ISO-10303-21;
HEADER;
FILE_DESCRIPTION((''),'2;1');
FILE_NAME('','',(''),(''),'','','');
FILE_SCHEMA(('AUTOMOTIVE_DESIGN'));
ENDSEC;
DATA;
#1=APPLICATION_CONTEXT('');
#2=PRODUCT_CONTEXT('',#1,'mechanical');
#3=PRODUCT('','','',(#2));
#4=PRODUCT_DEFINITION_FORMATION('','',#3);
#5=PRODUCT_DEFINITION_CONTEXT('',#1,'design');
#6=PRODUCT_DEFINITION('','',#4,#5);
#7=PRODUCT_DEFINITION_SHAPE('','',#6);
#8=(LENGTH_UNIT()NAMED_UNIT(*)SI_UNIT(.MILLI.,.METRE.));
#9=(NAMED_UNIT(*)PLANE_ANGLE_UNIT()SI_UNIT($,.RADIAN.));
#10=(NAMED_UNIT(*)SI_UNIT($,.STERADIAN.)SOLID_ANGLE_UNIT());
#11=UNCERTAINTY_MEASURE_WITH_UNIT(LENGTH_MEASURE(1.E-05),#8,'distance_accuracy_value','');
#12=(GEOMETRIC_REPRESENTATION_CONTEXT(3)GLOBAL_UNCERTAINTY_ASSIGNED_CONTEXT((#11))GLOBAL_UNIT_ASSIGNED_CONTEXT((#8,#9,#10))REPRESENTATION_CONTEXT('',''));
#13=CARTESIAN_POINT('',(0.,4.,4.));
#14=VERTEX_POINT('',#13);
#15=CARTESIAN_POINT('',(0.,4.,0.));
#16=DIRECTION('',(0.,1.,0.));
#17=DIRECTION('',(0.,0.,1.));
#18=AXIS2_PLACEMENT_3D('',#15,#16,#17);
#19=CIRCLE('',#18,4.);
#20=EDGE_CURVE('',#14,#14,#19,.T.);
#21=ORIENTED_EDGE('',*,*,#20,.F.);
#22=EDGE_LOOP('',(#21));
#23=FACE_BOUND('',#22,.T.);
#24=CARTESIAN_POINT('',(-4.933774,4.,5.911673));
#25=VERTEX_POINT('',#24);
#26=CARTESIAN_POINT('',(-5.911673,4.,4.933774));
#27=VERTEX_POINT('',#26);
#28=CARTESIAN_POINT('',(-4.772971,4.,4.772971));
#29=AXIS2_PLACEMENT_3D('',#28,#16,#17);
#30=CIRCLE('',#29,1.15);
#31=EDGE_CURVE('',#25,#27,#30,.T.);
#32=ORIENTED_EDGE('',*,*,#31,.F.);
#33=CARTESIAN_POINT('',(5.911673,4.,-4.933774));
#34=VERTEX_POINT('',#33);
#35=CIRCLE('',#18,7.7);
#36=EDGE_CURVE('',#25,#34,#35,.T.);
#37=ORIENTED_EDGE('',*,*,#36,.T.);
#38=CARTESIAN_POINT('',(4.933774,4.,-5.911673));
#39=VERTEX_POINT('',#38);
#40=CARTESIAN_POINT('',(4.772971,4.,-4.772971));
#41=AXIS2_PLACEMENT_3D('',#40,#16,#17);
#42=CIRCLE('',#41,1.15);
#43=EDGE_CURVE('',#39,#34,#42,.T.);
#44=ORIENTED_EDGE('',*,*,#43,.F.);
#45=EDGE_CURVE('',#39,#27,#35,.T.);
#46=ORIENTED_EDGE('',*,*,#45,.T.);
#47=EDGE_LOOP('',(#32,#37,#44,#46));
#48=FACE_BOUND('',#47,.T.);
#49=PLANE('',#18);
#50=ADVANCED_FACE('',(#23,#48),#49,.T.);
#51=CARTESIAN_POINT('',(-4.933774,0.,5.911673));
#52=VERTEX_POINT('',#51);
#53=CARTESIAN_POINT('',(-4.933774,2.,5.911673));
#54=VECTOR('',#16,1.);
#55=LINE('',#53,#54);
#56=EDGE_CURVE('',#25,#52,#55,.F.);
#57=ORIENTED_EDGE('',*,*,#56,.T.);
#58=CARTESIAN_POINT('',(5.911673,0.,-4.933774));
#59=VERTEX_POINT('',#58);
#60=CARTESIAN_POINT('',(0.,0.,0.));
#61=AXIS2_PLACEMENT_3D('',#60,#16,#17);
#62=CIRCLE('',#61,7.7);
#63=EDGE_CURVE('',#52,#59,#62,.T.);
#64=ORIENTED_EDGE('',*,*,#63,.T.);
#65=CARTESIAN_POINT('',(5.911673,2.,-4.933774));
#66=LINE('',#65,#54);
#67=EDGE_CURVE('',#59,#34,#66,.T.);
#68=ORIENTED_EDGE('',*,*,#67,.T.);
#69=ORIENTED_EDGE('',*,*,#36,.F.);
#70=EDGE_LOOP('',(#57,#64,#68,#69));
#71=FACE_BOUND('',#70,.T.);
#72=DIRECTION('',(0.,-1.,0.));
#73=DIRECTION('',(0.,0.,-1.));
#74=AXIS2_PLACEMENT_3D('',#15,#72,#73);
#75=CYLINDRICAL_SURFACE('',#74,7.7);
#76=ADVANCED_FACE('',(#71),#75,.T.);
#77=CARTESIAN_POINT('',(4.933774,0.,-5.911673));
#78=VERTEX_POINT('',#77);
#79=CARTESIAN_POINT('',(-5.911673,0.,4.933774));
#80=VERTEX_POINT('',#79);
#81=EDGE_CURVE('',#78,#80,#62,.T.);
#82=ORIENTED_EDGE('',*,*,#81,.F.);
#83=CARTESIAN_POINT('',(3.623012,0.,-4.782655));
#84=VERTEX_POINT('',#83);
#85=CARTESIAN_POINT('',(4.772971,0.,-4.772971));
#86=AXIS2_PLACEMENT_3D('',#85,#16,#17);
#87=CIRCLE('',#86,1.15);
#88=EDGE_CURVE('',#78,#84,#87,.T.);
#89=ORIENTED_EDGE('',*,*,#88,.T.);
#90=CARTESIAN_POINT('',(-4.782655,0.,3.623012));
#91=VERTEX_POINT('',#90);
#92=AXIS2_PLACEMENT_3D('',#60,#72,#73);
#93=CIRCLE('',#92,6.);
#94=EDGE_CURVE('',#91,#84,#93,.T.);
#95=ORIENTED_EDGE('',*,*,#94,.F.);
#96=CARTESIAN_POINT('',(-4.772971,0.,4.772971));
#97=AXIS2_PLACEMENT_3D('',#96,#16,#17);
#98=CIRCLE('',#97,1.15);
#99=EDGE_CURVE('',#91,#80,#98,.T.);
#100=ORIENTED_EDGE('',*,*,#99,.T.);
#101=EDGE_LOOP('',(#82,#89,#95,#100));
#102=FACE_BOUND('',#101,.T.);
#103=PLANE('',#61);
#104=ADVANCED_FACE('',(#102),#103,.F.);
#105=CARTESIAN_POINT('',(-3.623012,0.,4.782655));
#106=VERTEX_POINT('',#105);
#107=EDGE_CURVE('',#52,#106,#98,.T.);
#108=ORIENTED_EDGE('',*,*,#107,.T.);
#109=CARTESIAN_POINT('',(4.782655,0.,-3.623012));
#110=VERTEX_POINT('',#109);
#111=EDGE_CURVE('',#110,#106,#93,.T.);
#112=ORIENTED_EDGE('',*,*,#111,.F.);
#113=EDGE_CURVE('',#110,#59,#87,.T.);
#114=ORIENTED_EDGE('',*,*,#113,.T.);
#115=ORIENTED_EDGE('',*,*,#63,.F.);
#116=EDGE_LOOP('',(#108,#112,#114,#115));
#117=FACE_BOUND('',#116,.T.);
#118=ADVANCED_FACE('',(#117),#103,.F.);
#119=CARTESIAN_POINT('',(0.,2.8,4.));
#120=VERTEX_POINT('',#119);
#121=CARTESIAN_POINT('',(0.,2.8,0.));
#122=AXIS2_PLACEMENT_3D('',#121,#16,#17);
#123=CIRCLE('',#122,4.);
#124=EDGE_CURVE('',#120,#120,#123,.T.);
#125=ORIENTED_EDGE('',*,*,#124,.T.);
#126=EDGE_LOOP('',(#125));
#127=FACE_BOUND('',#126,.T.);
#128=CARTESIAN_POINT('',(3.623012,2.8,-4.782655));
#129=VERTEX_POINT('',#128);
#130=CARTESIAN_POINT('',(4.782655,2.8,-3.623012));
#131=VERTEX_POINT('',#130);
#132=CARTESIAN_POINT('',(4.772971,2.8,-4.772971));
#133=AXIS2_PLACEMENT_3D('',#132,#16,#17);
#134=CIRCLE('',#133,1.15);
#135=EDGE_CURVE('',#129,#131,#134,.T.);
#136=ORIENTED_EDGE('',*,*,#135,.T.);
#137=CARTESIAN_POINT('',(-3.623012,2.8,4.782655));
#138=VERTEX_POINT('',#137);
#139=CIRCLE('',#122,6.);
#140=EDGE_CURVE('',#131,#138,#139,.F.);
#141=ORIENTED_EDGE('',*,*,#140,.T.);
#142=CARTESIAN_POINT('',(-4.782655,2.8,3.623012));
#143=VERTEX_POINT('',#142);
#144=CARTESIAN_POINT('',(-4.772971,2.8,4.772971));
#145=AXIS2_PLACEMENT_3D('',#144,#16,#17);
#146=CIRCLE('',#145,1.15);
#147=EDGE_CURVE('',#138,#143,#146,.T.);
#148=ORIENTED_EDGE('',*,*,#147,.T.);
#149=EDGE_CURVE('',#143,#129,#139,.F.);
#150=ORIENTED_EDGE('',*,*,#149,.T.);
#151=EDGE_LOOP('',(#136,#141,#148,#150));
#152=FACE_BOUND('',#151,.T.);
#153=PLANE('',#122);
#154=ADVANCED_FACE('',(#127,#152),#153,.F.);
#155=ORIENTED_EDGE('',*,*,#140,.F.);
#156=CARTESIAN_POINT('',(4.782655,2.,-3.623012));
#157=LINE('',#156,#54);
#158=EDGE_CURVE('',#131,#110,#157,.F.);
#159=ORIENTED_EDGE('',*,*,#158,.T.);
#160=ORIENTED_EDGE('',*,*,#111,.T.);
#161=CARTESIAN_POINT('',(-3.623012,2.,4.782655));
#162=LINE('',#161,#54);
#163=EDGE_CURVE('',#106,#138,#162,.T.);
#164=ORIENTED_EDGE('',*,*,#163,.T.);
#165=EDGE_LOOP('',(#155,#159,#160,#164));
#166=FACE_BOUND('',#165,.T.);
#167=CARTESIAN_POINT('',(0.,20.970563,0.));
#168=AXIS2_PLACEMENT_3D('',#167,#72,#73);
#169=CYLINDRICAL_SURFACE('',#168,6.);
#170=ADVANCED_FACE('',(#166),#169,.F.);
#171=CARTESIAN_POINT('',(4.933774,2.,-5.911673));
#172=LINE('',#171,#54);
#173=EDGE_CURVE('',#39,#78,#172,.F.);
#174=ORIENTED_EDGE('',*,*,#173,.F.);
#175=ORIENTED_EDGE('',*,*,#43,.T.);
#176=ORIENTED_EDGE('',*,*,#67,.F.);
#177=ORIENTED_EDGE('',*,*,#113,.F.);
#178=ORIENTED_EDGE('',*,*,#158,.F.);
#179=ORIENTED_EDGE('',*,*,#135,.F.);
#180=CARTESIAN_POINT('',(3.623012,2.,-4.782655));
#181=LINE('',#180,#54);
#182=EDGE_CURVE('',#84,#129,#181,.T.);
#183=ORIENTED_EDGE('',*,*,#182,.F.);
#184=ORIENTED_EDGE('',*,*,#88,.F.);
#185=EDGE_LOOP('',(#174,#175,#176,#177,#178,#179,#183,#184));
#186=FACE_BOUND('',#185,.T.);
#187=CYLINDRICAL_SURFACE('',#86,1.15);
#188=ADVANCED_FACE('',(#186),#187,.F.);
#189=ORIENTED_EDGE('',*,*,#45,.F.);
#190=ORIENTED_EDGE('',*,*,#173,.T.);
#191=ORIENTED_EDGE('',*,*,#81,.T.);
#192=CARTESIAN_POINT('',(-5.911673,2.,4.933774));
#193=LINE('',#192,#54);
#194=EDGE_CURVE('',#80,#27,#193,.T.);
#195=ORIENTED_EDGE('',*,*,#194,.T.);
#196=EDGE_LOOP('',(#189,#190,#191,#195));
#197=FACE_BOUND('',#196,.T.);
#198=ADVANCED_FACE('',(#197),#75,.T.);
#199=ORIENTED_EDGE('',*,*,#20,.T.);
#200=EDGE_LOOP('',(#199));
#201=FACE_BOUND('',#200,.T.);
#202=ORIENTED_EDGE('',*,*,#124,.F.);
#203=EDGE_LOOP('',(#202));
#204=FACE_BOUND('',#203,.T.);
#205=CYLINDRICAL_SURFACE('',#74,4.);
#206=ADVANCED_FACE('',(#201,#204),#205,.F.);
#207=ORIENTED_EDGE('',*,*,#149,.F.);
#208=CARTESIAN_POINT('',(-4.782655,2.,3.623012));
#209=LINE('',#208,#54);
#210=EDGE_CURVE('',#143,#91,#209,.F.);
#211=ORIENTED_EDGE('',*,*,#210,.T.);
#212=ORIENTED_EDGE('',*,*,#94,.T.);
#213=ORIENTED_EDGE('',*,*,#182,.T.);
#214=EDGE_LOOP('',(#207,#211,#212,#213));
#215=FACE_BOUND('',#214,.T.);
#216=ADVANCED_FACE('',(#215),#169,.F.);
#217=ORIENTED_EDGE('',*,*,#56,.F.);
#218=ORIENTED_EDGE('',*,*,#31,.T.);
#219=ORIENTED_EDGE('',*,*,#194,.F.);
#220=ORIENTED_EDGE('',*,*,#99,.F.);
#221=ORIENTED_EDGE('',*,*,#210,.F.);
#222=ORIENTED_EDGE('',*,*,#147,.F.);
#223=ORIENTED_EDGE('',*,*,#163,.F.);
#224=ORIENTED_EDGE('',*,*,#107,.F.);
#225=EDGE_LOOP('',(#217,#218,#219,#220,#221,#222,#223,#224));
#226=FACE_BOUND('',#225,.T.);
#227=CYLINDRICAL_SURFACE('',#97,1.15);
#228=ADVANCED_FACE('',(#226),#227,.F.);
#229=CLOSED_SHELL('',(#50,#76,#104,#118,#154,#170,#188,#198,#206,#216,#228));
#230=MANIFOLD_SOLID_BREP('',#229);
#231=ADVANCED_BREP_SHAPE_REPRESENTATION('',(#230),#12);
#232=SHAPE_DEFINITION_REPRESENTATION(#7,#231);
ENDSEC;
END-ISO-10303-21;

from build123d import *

# Parameters (mm, degrees)
SKETCH1_R           = 7.7
SKETCH1_R_2         = 4
BOSS_EXTRUDE1_DEPTH = 4
SKETCH2_R           = 6
CUT_EXTRUDE1_DEPTH  = 2.8
SKETCH3_R           = 1.15
CUT_EXTRUDE2_DEPTH  = 12.600862037


with BuildPart() as part:
    # Sketch1 → Boss-Extrude1 (new body)
    with BuildSketch(Plane(origin=(0, 0, 0), x_dir=(1, 0, 0), z_dir=(0, 1, 0))):
        with Locations(Location((0, 0, 0), (0, 0, 270))):
            Circle(SKETCH1_R)
        with Locations(Location((0, 0, 0), (0, 0, 270))):
            Circle(SKETCH1_R_2, mode=Mode.SUBTRACT)
    extrude(amount=BOSS_EXTRUDE1_DEPTH)

    # Sketch2 → Cut-Extrude1 (cut)
    with BuildSketch(Plane.XZ):
        with Locations(Location((0, 0, 0), (0, 0, 270))):
            Circle(SKETCH2_R)
    extrude(amount=-CUT_EXTRUDE1_DEPTH, mode=Mode.SUBTRACT)

    # Sketch3 → Cut-Extrude2 (cut, through all)
    with BuildSketch(Plane(origin=(0, 4, 0), x_dir=(1, 0, 0), z_dir=(0, 1, 0))):
        with Locations((4.772970773, 4.772970773)):
            Circle(SKETCH3_R)
        with Locations((-4.772970773, -4.772970773)):
            Circle(SKETCH3_R)
    extrude(amount=-CUT_EXTRUDE2_DEPTH, mode=Mode.SUBTRACT)


solid = part.part
